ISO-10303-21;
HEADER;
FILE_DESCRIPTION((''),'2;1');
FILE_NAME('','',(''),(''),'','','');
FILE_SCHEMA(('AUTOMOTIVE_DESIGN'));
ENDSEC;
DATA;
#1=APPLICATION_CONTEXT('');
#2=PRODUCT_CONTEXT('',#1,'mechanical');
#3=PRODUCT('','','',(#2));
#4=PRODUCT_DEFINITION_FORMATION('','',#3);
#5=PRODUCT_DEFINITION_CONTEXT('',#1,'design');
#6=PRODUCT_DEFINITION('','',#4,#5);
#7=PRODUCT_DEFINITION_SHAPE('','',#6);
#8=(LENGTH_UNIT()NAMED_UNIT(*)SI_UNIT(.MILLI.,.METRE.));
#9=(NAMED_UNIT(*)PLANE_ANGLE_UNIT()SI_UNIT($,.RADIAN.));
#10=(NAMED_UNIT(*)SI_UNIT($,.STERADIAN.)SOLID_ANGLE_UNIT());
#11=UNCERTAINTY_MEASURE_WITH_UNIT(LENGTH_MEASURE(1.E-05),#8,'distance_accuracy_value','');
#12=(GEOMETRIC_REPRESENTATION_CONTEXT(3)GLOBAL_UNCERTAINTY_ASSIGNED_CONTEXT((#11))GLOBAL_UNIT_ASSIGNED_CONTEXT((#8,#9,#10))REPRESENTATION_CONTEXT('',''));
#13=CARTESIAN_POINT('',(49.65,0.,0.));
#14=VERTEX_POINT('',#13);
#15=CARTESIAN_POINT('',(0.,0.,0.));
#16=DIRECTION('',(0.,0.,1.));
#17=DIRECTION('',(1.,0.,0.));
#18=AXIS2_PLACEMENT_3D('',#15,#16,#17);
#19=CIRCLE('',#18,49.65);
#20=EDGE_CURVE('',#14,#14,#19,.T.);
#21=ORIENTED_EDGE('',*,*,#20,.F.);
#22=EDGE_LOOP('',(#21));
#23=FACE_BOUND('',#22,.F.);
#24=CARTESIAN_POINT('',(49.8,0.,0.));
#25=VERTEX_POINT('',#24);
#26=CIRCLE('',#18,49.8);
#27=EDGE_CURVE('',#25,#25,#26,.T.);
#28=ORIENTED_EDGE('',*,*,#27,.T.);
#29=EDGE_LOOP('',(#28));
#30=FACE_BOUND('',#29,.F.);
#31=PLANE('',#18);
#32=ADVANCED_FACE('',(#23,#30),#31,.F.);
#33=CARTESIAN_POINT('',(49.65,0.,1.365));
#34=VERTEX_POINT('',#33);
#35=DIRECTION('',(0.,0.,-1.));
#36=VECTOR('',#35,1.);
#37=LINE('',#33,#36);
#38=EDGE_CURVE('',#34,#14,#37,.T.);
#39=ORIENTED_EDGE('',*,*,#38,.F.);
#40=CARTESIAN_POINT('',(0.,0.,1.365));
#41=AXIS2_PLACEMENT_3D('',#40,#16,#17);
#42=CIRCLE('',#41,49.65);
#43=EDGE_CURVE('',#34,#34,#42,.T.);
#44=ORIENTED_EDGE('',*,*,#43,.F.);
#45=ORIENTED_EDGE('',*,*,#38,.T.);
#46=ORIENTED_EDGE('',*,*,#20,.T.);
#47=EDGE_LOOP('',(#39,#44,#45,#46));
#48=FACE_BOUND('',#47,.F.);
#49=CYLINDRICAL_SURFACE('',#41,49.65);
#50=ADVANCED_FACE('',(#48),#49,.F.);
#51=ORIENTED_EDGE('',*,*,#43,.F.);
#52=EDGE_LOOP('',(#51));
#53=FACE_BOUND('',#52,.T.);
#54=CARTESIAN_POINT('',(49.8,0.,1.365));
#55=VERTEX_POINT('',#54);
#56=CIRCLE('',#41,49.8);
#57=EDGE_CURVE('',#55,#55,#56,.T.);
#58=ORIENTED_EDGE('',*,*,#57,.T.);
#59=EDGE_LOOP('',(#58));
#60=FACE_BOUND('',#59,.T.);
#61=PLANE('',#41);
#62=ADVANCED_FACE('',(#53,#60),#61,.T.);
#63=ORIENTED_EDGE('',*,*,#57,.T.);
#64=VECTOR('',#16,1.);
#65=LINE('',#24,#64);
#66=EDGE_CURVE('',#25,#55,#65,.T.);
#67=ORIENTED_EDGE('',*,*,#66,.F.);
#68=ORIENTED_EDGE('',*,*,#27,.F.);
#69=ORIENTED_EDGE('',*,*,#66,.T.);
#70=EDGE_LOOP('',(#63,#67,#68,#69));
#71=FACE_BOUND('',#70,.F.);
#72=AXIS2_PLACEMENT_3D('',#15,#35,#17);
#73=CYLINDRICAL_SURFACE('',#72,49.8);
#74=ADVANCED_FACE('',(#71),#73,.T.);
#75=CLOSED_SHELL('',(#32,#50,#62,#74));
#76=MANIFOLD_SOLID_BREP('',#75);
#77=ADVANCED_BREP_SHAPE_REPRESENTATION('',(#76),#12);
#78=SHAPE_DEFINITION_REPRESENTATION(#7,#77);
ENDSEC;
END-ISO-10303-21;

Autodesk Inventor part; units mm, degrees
ref_plane "YZ Plane" through (0, 0, 0) normal (1, 0, 0) x (0, 1, 0)
ref_plane "XZ Plane" through (0, 0, 0) normal (0, 1, 0) x (-1, 0, 0)
ref_plane "XY Plane" through (0, 0, 0) normal (0, 0, 1) x (1, 0, 0)
sketch "Sketch1" plane through (0, 0, 0) normal (0, 0, 1) x (1, 0, 0)
  circle A0 centre (0, 0) radius 49.8
  dimension "d0" = 99.6
extrude "Extrusion1" add sketch "Sketch1" along normal blind 1.365
sketch "Sketch2" plane through (0, 0, 1.365) normal (0, 0, 1) x (1, 0, 0)
  circle A0 centre (0, 0) radius 49.65
  dimension "d3" = 99.3
extrude "Extrusion2" cut sketch "Sketch2" against normal through all
properties part number "BNG_REV_00_9"
